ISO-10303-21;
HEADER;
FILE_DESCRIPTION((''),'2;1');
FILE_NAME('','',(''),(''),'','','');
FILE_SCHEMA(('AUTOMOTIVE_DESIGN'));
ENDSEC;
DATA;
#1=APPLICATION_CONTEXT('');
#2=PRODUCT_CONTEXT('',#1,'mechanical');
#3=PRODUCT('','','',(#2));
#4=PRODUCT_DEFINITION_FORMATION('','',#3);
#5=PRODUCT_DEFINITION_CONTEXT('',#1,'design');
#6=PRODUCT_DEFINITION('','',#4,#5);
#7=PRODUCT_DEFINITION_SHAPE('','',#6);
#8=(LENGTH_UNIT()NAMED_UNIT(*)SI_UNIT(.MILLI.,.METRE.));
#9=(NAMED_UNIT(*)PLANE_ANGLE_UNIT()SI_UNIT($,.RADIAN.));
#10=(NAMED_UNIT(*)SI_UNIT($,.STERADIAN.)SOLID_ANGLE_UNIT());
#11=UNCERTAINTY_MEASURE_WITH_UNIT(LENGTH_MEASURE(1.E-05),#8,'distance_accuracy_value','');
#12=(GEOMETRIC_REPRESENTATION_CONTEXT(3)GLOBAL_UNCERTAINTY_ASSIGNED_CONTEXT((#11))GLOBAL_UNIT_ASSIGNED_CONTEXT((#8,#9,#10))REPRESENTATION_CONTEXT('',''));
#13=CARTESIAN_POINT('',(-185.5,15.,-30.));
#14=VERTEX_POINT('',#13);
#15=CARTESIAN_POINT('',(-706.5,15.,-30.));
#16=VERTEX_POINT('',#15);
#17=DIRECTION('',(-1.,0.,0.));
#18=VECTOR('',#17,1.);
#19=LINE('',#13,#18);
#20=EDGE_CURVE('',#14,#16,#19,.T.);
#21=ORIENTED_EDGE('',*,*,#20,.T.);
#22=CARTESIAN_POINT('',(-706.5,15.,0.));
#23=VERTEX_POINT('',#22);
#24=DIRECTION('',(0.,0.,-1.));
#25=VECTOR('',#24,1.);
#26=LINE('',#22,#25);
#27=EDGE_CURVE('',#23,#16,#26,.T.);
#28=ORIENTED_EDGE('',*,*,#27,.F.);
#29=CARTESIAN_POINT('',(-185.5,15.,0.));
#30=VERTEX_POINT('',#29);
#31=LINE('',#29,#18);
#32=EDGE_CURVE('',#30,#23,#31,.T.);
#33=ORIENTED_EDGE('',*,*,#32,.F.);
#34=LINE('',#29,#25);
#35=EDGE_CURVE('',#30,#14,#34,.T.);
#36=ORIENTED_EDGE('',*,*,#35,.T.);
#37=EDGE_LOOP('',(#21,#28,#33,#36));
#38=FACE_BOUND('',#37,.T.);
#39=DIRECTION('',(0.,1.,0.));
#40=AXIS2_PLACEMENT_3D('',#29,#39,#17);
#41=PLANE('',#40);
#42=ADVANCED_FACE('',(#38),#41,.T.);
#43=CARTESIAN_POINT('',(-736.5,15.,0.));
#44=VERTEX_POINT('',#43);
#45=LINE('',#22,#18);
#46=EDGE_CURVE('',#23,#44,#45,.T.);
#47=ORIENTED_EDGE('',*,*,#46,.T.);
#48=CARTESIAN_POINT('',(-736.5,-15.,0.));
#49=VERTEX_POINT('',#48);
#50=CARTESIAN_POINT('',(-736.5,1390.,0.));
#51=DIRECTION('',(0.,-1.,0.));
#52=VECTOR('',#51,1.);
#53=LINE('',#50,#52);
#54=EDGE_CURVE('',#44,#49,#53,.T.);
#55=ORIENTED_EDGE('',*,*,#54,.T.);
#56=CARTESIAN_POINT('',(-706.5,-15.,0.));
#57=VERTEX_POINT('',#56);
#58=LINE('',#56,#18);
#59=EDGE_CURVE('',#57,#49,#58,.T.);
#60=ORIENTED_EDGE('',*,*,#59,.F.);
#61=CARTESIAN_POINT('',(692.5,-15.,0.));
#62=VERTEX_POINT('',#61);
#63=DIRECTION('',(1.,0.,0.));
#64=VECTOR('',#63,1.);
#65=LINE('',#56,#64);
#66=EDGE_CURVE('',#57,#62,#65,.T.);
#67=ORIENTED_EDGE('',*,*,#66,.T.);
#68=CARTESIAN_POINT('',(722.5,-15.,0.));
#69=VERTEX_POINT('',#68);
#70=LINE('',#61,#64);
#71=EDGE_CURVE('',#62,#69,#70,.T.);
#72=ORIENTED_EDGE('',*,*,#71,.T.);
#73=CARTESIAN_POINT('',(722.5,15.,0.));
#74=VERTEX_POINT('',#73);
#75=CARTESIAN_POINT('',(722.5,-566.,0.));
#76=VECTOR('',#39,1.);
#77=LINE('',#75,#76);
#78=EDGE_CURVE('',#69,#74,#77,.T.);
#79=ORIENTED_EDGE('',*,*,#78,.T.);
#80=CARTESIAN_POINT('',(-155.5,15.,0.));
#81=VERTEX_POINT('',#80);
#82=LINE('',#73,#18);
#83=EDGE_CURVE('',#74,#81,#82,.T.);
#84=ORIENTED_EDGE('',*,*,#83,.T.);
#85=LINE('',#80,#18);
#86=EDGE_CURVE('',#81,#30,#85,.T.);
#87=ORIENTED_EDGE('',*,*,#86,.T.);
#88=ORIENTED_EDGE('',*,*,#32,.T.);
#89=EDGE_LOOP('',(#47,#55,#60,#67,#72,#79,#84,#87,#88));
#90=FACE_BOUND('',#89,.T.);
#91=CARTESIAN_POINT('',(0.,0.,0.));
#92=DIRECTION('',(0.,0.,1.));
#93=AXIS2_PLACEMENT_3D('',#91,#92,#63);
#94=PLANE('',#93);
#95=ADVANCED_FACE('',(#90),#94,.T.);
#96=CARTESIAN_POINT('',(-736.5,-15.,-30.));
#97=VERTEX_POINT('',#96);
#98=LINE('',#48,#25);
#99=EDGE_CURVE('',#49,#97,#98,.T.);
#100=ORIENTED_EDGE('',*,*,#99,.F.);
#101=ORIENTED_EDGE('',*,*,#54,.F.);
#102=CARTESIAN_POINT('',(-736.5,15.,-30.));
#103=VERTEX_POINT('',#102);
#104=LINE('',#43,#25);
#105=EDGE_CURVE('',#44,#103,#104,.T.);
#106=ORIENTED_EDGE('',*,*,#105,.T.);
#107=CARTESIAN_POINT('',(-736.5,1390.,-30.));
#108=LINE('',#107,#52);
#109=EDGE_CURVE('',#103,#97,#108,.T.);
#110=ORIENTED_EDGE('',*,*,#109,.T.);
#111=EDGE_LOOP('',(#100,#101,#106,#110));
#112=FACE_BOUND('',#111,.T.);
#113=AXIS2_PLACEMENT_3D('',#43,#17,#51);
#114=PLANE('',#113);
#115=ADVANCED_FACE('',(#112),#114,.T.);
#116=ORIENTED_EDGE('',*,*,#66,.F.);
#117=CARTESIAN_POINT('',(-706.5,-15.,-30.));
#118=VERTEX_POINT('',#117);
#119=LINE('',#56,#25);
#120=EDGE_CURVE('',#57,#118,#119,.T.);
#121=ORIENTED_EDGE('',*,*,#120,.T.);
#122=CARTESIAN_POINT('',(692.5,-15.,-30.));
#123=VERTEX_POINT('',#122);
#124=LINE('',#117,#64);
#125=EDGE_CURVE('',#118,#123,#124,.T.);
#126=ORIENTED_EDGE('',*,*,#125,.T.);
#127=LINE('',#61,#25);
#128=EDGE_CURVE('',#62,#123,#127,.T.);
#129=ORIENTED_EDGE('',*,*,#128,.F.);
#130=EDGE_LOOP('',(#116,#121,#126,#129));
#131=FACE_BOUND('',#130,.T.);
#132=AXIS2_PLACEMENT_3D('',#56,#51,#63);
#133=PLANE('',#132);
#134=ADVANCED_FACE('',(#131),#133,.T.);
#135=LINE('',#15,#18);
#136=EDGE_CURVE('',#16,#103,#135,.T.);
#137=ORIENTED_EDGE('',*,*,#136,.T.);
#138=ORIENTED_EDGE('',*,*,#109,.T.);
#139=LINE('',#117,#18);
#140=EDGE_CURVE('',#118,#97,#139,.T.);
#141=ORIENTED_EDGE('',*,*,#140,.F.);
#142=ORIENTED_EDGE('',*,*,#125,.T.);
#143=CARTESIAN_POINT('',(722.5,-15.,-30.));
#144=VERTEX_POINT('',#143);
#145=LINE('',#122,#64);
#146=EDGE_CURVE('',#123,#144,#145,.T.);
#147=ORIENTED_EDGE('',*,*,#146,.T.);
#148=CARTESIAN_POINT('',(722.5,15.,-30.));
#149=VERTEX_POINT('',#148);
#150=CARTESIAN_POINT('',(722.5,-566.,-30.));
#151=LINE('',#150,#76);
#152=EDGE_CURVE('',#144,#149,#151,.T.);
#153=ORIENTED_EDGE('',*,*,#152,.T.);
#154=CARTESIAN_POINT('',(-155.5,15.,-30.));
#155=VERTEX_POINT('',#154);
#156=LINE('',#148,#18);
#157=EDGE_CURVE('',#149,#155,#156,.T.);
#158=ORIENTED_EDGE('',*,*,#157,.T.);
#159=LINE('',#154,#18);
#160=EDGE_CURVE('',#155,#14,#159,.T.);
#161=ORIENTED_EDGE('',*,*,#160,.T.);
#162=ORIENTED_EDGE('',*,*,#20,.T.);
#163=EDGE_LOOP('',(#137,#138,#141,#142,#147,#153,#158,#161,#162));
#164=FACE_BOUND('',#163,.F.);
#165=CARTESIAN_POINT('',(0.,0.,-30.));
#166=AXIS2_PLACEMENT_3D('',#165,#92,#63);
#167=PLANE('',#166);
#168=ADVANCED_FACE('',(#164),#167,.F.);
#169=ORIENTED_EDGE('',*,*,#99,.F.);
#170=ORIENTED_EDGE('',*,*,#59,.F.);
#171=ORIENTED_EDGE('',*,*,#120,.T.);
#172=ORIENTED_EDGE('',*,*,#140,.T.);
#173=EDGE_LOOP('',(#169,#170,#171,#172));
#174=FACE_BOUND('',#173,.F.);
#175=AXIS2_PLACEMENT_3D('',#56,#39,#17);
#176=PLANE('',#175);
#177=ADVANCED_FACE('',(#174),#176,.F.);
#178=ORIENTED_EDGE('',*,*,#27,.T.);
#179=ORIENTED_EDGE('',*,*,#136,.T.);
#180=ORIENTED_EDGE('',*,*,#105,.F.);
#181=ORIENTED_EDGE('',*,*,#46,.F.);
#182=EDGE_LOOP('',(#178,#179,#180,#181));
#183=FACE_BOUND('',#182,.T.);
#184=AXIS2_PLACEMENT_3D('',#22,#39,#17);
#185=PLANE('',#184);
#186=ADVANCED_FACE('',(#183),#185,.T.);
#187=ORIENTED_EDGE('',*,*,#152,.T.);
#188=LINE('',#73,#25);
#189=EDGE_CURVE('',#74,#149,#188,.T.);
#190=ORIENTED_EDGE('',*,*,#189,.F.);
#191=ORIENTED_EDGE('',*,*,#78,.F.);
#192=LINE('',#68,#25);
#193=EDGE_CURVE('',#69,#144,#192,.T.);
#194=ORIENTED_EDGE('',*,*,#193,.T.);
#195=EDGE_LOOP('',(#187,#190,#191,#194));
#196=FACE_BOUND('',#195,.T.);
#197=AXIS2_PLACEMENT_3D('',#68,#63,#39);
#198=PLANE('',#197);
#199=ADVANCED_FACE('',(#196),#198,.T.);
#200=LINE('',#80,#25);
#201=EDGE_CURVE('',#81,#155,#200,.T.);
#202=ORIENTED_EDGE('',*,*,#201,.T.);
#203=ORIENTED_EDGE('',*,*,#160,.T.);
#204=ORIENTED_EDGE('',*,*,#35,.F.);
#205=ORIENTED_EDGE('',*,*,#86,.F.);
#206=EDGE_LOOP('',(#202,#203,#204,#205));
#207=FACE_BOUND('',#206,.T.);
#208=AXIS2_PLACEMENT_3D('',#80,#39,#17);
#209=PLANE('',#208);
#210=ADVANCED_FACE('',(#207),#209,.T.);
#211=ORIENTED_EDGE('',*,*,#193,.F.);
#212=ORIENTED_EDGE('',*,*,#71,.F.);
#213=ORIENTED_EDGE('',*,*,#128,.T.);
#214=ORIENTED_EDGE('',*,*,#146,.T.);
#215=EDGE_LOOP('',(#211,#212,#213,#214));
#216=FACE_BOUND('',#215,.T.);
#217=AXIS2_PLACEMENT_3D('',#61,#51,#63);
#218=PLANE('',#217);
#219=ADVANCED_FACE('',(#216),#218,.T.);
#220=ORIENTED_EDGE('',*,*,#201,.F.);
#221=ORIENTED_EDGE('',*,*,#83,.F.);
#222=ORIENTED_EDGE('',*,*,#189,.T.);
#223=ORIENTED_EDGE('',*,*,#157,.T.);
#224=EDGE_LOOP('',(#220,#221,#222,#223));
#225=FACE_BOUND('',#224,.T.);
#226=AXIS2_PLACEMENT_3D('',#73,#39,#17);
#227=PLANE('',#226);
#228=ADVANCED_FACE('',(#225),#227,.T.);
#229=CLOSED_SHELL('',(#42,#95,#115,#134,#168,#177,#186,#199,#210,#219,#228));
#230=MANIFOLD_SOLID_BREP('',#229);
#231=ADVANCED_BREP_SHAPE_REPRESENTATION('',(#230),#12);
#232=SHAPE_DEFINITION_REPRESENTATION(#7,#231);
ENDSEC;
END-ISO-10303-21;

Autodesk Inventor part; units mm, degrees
ref_plane "YZ Plane" through (0, 0, 0) normal (1, 0, 0) x (0, 1, 0)
ref_plane "XZ Plane" through (0, 0, 0) normal (0, 1, 0) x (-1, 0, 0)
ref_plane "XY Plane" through (0, 0, 0) normal (0, 0, 1) x (1, 0, 0)
sketch "Boceto1" plane through (0, 0, 0) normal (0, 0, 1) x (1, 0, 0)
  line L0 (-706.5, 15) -> (-706.5, 1360) projected
  line L1 (-706.5, 1360) -> (-185.5, 1360) projected
  line L2 (-185.5, 1360) -> (-185.5, 15) projected
  line L3 (-185.5, 15) -> (-706.5, 15) projected
  line L4 (692.5, -15) -> (692.5, -536) projected
  line L5 (692.5, -536) -> (-706.5, -536) projected
  line L6 (-706.5, -536) -> (-706.5, -15) projected
  line L7 (-706.5, -15) -> (692.5, -15) projected
  line L8 (722.5, -566) -> (722.5, 15) projected
  line L9 (722.5, 15) -> (-155.5, 15) projected
  line L10 (-155.5, 15) -> (-155.5, 1390) projected
  line L11 (-155.5, 1390) -> (-736.5, 1390) projected
  line L12 (-736.5, 1390) -> (-736.5, -566) projected
  line L13 (-736.5, -566) -> (722.5, -566) projected
  line L14 (692.5, -15) -> (722.5, -15)
  line L15 (-706.5, -15) -> (-736.5, -15)
  line L16 (-155.5, 15) -> (-185.5, 15)
  line L17 (-706.5, 15) -> (-736.5, 15)
  point P0 (0, 0)
  dimension "d2" = 1459
  dimension "d3" = 521
  dimension "d4" = 1375
extrude "Extrusión1" add sketch "Boceto1" against normal blind 30 contours L3 L16 L9 L8 L14 L7 L15 L12 L17
properties part number "BarraMarco2.2"
